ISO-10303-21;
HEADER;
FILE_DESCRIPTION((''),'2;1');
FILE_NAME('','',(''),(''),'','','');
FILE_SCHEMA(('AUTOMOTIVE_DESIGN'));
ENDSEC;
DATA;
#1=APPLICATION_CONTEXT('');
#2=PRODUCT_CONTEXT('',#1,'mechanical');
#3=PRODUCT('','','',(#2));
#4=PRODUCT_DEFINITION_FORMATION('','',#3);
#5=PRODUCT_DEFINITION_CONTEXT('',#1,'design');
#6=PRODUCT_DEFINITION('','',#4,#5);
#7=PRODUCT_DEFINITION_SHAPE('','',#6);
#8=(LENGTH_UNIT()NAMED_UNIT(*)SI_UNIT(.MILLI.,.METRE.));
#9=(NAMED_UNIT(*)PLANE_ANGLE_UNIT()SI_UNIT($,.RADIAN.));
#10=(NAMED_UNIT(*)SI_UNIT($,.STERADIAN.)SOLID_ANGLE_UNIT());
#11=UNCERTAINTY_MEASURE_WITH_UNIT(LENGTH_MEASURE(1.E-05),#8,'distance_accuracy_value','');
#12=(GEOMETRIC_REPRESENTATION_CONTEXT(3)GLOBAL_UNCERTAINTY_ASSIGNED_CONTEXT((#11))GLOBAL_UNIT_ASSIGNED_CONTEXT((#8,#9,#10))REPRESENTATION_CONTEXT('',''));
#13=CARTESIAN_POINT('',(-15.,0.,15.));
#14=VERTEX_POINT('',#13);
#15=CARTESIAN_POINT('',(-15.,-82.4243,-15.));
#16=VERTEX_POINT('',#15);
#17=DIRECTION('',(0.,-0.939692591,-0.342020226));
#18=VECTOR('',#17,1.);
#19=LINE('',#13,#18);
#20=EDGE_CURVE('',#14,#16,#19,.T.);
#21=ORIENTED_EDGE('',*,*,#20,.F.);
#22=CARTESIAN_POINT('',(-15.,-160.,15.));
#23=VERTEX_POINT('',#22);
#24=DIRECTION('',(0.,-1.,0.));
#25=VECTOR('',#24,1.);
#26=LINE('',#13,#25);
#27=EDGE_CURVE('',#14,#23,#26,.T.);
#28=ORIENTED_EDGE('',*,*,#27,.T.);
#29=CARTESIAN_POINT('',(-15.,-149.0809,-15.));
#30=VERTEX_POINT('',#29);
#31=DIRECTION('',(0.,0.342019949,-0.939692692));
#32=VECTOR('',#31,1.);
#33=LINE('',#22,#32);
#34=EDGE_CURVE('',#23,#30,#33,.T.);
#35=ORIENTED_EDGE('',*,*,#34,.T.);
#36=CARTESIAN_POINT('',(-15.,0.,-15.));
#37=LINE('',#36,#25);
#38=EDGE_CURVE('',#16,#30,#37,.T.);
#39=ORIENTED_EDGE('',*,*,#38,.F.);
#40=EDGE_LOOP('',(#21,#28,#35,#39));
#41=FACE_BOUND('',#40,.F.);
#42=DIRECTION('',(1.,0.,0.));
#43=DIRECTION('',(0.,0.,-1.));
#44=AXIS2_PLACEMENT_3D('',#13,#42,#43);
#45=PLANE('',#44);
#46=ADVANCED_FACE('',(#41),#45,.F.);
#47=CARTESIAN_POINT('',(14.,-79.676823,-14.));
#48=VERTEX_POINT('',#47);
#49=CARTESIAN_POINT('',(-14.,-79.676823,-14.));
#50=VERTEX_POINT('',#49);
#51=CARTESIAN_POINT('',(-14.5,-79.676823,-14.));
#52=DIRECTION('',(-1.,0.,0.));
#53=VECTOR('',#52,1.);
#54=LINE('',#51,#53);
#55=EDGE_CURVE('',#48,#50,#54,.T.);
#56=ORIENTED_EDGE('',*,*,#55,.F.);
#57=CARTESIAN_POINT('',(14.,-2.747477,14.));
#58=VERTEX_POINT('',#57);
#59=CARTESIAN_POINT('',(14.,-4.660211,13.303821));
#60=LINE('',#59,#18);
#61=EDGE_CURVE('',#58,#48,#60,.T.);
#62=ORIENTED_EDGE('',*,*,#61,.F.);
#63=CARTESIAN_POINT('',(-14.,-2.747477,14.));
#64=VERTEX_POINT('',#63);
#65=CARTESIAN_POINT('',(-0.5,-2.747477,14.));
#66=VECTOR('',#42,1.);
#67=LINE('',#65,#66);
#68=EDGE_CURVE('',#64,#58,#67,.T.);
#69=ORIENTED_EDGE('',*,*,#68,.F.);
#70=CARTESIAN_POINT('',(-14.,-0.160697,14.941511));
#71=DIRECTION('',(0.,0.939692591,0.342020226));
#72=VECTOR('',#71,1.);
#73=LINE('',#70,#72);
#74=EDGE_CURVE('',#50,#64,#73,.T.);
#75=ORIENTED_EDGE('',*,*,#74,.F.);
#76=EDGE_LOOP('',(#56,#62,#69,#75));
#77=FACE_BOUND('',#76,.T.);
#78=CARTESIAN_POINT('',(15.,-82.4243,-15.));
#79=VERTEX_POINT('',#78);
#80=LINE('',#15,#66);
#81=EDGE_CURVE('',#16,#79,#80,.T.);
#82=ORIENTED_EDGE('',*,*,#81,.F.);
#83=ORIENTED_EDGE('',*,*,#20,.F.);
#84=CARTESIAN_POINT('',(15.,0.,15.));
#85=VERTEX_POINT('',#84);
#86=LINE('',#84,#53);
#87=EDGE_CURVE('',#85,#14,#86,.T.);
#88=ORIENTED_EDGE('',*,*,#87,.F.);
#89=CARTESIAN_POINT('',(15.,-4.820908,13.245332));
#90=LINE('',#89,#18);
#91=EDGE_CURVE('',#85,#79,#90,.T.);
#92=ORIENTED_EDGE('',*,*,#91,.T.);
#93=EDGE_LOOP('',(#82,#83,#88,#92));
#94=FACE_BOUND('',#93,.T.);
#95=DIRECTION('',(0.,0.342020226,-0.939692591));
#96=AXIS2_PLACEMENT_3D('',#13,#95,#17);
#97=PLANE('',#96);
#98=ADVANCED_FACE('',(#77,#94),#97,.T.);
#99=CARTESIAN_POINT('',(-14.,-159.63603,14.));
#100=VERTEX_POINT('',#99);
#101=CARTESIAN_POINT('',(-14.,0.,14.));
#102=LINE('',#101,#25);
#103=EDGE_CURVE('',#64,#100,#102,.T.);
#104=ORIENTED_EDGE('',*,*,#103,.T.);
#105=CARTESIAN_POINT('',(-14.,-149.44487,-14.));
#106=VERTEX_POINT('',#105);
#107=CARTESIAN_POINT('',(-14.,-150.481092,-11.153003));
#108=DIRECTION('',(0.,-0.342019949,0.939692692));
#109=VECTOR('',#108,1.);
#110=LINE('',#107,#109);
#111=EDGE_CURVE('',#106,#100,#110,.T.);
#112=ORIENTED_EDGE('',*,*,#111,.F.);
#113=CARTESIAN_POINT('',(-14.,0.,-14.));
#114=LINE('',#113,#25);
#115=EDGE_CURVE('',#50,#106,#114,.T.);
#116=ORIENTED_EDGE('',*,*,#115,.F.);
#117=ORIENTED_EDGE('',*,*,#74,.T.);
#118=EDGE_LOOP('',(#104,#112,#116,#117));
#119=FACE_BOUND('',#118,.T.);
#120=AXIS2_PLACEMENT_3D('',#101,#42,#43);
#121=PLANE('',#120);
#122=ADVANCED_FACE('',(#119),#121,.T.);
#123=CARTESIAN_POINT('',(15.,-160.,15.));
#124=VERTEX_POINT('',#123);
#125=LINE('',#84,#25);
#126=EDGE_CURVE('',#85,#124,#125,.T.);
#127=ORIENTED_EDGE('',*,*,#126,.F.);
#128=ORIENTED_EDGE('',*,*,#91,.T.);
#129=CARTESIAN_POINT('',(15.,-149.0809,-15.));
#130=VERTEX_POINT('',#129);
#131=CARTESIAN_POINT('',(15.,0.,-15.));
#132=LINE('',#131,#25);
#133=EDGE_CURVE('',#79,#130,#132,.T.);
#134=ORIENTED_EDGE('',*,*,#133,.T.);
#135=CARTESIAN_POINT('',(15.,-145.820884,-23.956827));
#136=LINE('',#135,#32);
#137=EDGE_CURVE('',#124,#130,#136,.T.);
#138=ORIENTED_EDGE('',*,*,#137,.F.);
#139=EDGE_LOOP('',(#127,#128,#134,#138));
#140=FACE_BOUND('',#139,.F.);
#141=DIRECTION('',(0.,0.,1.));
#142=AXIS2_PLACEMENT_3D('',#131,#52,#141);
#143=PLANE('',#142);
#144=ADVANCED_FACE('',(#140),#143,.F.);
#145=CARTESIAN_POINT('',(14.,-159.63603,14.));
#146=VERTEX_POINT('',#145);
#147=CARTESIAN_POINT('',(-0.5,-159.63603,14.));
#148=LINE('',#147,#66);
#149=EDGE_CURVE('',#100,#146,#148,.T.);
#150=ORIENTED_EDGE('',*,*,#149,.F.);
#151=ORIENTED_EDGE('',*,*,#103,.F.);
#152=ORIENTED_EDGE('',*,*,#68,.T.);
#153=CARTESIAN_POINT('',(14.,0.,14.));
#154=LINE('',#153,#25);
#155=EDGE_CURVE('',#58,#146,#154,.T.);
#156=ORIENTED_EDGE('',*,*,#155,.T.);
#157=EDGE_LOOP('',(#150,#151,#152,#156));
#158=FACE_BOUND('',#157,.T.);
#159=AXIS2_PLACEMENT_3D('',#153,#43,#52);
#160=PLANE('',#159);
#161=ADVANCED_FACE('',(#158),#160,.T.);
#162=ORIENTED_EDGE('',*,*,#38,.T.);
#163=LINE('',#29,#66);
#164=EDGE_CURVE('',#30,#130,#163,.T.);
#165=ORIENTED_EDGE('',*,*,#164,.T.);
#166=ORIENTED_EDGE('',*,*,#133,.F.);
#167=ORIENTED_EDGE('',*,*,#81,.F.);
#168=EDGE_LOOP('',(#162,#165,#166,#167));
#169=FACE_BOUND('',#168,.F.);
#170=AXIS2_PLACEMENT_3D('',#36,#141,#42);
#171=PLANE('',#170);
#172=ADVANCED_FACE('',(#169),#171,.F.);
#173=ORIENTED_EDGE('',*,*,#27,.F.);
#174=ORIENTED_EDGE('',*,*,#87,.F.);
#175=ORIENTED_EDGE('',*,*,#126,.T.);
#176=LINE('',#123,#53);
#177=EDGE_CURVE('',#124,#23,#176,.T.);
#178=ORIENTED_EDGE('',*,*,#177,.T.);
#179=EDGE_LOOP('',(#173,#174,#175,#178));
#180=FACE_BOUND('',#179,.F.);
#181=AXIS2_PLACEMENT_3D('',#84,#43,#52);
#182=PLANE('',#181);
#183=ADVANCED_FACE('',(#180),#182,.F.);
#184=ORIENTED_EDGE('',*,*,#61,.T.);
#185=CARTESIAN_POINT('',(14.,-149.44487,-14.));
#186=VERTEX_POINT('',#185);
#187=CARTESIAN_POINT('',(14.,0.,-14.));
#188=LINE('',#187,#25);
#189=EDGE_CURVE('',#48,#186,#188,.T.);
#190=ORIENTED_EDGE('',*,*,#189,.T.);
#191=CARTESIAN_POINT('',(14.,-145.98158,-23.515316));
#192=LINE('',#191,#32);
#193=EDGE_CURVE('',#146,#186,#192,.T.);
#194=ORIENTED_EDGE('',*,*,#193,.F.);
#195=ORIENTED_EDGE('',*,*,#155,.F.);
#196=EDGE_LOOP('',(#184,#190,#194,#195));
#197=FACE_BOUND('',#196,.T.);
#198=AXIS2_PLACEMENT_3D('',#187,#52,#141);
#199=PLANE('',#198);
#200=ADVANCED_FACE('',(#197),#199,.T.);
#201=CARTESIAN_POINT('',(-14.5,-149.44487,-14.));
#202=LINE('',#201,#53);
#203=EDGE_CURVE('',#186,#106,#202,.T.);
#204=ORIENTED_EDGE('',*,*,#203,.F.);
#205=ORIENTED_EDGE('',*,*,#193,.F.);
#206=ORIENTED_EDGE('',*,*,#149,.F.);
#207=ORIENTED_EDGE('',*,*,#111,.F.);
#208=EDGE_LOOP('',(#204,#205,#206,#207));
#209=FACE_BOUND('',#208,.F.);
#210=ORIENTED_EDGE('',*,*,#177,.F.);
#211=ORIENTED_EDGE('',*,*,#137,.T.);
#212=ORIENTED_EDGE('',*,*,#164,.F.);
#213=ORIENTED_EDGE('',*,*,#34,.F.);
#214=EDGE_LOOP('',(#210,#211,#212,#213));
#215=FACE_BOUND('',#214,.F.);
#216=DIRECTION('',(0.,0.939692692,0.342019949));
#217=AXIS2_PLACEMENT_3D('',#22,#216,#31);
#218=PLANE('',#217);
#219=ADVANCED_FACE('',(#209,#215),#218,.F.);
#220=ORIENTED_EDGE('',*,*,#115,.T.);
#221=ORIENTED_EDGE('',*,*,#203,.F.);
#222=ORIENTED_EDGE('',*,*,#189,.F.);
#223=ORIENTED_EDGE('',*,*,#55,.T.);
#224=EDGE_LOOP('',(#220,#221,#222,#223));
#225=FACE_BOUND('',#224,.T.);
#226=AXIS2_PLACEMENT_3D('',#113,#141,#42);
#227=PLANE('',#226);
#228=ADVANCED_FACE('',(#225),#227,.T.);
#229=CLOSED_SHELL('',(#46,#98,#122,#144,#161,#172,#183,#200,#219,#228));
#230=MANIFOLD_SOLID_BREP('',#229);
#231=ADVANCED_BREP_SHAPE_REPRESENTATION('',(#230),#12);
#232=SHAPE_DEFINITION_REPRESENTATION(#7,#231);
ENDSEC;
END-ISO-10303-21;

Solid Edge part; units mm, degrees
sketch "Sketch1" plane through (0, 0, 0) normal (0, -1, 0) x (1, 0, 0)
  line L0 (-15, 15) -> (-15, -15)
  line L1 (-15, -15) -> (15, -15)
  line L2 (15, -15) -> (15, 15)
  line L3 (15, 15) -> (-15, 15)
  line L4 (-14, 14) -> (-14, -14)
  line L5 (-14, -14) -> (14, -14)
  line L6 (14, -14) -> (14, 14)
  line L7 (14, 14) -> (-14, 14)
extrude "Protrusion1" add sketch "Sketch1" along normal blind 160
sketch "Sketch2" plane through (-15, -100, 0) normal (-1, 0, 0) x (0, -1, 0)
  line L0 (-100, 15) -> (-17.5757, -15)
  line L1 (-100, -15) -> (-17.5757, -15)
  line L2 (-100, 15) -> (-100, -15)
extrude "ExtrudedCutout_1" cut sketch "Sketch2" against normal blind 853.4319
sketch "Sketch3" plane through (-15, -80, 0) normal (-1, 0, 0) x (0, -1, 0)
  line L0 (80, 15) -> (80, -15)
  line L1 (80, -15) -> (69.0809, -15)
  line L2 (80, 15) -> (69.0809, -15)
extrude "ExtrudedCutout_2" cut sketch "Sketch3" against normal blind 51.9593
fillet "Round_1" [suppressed]
